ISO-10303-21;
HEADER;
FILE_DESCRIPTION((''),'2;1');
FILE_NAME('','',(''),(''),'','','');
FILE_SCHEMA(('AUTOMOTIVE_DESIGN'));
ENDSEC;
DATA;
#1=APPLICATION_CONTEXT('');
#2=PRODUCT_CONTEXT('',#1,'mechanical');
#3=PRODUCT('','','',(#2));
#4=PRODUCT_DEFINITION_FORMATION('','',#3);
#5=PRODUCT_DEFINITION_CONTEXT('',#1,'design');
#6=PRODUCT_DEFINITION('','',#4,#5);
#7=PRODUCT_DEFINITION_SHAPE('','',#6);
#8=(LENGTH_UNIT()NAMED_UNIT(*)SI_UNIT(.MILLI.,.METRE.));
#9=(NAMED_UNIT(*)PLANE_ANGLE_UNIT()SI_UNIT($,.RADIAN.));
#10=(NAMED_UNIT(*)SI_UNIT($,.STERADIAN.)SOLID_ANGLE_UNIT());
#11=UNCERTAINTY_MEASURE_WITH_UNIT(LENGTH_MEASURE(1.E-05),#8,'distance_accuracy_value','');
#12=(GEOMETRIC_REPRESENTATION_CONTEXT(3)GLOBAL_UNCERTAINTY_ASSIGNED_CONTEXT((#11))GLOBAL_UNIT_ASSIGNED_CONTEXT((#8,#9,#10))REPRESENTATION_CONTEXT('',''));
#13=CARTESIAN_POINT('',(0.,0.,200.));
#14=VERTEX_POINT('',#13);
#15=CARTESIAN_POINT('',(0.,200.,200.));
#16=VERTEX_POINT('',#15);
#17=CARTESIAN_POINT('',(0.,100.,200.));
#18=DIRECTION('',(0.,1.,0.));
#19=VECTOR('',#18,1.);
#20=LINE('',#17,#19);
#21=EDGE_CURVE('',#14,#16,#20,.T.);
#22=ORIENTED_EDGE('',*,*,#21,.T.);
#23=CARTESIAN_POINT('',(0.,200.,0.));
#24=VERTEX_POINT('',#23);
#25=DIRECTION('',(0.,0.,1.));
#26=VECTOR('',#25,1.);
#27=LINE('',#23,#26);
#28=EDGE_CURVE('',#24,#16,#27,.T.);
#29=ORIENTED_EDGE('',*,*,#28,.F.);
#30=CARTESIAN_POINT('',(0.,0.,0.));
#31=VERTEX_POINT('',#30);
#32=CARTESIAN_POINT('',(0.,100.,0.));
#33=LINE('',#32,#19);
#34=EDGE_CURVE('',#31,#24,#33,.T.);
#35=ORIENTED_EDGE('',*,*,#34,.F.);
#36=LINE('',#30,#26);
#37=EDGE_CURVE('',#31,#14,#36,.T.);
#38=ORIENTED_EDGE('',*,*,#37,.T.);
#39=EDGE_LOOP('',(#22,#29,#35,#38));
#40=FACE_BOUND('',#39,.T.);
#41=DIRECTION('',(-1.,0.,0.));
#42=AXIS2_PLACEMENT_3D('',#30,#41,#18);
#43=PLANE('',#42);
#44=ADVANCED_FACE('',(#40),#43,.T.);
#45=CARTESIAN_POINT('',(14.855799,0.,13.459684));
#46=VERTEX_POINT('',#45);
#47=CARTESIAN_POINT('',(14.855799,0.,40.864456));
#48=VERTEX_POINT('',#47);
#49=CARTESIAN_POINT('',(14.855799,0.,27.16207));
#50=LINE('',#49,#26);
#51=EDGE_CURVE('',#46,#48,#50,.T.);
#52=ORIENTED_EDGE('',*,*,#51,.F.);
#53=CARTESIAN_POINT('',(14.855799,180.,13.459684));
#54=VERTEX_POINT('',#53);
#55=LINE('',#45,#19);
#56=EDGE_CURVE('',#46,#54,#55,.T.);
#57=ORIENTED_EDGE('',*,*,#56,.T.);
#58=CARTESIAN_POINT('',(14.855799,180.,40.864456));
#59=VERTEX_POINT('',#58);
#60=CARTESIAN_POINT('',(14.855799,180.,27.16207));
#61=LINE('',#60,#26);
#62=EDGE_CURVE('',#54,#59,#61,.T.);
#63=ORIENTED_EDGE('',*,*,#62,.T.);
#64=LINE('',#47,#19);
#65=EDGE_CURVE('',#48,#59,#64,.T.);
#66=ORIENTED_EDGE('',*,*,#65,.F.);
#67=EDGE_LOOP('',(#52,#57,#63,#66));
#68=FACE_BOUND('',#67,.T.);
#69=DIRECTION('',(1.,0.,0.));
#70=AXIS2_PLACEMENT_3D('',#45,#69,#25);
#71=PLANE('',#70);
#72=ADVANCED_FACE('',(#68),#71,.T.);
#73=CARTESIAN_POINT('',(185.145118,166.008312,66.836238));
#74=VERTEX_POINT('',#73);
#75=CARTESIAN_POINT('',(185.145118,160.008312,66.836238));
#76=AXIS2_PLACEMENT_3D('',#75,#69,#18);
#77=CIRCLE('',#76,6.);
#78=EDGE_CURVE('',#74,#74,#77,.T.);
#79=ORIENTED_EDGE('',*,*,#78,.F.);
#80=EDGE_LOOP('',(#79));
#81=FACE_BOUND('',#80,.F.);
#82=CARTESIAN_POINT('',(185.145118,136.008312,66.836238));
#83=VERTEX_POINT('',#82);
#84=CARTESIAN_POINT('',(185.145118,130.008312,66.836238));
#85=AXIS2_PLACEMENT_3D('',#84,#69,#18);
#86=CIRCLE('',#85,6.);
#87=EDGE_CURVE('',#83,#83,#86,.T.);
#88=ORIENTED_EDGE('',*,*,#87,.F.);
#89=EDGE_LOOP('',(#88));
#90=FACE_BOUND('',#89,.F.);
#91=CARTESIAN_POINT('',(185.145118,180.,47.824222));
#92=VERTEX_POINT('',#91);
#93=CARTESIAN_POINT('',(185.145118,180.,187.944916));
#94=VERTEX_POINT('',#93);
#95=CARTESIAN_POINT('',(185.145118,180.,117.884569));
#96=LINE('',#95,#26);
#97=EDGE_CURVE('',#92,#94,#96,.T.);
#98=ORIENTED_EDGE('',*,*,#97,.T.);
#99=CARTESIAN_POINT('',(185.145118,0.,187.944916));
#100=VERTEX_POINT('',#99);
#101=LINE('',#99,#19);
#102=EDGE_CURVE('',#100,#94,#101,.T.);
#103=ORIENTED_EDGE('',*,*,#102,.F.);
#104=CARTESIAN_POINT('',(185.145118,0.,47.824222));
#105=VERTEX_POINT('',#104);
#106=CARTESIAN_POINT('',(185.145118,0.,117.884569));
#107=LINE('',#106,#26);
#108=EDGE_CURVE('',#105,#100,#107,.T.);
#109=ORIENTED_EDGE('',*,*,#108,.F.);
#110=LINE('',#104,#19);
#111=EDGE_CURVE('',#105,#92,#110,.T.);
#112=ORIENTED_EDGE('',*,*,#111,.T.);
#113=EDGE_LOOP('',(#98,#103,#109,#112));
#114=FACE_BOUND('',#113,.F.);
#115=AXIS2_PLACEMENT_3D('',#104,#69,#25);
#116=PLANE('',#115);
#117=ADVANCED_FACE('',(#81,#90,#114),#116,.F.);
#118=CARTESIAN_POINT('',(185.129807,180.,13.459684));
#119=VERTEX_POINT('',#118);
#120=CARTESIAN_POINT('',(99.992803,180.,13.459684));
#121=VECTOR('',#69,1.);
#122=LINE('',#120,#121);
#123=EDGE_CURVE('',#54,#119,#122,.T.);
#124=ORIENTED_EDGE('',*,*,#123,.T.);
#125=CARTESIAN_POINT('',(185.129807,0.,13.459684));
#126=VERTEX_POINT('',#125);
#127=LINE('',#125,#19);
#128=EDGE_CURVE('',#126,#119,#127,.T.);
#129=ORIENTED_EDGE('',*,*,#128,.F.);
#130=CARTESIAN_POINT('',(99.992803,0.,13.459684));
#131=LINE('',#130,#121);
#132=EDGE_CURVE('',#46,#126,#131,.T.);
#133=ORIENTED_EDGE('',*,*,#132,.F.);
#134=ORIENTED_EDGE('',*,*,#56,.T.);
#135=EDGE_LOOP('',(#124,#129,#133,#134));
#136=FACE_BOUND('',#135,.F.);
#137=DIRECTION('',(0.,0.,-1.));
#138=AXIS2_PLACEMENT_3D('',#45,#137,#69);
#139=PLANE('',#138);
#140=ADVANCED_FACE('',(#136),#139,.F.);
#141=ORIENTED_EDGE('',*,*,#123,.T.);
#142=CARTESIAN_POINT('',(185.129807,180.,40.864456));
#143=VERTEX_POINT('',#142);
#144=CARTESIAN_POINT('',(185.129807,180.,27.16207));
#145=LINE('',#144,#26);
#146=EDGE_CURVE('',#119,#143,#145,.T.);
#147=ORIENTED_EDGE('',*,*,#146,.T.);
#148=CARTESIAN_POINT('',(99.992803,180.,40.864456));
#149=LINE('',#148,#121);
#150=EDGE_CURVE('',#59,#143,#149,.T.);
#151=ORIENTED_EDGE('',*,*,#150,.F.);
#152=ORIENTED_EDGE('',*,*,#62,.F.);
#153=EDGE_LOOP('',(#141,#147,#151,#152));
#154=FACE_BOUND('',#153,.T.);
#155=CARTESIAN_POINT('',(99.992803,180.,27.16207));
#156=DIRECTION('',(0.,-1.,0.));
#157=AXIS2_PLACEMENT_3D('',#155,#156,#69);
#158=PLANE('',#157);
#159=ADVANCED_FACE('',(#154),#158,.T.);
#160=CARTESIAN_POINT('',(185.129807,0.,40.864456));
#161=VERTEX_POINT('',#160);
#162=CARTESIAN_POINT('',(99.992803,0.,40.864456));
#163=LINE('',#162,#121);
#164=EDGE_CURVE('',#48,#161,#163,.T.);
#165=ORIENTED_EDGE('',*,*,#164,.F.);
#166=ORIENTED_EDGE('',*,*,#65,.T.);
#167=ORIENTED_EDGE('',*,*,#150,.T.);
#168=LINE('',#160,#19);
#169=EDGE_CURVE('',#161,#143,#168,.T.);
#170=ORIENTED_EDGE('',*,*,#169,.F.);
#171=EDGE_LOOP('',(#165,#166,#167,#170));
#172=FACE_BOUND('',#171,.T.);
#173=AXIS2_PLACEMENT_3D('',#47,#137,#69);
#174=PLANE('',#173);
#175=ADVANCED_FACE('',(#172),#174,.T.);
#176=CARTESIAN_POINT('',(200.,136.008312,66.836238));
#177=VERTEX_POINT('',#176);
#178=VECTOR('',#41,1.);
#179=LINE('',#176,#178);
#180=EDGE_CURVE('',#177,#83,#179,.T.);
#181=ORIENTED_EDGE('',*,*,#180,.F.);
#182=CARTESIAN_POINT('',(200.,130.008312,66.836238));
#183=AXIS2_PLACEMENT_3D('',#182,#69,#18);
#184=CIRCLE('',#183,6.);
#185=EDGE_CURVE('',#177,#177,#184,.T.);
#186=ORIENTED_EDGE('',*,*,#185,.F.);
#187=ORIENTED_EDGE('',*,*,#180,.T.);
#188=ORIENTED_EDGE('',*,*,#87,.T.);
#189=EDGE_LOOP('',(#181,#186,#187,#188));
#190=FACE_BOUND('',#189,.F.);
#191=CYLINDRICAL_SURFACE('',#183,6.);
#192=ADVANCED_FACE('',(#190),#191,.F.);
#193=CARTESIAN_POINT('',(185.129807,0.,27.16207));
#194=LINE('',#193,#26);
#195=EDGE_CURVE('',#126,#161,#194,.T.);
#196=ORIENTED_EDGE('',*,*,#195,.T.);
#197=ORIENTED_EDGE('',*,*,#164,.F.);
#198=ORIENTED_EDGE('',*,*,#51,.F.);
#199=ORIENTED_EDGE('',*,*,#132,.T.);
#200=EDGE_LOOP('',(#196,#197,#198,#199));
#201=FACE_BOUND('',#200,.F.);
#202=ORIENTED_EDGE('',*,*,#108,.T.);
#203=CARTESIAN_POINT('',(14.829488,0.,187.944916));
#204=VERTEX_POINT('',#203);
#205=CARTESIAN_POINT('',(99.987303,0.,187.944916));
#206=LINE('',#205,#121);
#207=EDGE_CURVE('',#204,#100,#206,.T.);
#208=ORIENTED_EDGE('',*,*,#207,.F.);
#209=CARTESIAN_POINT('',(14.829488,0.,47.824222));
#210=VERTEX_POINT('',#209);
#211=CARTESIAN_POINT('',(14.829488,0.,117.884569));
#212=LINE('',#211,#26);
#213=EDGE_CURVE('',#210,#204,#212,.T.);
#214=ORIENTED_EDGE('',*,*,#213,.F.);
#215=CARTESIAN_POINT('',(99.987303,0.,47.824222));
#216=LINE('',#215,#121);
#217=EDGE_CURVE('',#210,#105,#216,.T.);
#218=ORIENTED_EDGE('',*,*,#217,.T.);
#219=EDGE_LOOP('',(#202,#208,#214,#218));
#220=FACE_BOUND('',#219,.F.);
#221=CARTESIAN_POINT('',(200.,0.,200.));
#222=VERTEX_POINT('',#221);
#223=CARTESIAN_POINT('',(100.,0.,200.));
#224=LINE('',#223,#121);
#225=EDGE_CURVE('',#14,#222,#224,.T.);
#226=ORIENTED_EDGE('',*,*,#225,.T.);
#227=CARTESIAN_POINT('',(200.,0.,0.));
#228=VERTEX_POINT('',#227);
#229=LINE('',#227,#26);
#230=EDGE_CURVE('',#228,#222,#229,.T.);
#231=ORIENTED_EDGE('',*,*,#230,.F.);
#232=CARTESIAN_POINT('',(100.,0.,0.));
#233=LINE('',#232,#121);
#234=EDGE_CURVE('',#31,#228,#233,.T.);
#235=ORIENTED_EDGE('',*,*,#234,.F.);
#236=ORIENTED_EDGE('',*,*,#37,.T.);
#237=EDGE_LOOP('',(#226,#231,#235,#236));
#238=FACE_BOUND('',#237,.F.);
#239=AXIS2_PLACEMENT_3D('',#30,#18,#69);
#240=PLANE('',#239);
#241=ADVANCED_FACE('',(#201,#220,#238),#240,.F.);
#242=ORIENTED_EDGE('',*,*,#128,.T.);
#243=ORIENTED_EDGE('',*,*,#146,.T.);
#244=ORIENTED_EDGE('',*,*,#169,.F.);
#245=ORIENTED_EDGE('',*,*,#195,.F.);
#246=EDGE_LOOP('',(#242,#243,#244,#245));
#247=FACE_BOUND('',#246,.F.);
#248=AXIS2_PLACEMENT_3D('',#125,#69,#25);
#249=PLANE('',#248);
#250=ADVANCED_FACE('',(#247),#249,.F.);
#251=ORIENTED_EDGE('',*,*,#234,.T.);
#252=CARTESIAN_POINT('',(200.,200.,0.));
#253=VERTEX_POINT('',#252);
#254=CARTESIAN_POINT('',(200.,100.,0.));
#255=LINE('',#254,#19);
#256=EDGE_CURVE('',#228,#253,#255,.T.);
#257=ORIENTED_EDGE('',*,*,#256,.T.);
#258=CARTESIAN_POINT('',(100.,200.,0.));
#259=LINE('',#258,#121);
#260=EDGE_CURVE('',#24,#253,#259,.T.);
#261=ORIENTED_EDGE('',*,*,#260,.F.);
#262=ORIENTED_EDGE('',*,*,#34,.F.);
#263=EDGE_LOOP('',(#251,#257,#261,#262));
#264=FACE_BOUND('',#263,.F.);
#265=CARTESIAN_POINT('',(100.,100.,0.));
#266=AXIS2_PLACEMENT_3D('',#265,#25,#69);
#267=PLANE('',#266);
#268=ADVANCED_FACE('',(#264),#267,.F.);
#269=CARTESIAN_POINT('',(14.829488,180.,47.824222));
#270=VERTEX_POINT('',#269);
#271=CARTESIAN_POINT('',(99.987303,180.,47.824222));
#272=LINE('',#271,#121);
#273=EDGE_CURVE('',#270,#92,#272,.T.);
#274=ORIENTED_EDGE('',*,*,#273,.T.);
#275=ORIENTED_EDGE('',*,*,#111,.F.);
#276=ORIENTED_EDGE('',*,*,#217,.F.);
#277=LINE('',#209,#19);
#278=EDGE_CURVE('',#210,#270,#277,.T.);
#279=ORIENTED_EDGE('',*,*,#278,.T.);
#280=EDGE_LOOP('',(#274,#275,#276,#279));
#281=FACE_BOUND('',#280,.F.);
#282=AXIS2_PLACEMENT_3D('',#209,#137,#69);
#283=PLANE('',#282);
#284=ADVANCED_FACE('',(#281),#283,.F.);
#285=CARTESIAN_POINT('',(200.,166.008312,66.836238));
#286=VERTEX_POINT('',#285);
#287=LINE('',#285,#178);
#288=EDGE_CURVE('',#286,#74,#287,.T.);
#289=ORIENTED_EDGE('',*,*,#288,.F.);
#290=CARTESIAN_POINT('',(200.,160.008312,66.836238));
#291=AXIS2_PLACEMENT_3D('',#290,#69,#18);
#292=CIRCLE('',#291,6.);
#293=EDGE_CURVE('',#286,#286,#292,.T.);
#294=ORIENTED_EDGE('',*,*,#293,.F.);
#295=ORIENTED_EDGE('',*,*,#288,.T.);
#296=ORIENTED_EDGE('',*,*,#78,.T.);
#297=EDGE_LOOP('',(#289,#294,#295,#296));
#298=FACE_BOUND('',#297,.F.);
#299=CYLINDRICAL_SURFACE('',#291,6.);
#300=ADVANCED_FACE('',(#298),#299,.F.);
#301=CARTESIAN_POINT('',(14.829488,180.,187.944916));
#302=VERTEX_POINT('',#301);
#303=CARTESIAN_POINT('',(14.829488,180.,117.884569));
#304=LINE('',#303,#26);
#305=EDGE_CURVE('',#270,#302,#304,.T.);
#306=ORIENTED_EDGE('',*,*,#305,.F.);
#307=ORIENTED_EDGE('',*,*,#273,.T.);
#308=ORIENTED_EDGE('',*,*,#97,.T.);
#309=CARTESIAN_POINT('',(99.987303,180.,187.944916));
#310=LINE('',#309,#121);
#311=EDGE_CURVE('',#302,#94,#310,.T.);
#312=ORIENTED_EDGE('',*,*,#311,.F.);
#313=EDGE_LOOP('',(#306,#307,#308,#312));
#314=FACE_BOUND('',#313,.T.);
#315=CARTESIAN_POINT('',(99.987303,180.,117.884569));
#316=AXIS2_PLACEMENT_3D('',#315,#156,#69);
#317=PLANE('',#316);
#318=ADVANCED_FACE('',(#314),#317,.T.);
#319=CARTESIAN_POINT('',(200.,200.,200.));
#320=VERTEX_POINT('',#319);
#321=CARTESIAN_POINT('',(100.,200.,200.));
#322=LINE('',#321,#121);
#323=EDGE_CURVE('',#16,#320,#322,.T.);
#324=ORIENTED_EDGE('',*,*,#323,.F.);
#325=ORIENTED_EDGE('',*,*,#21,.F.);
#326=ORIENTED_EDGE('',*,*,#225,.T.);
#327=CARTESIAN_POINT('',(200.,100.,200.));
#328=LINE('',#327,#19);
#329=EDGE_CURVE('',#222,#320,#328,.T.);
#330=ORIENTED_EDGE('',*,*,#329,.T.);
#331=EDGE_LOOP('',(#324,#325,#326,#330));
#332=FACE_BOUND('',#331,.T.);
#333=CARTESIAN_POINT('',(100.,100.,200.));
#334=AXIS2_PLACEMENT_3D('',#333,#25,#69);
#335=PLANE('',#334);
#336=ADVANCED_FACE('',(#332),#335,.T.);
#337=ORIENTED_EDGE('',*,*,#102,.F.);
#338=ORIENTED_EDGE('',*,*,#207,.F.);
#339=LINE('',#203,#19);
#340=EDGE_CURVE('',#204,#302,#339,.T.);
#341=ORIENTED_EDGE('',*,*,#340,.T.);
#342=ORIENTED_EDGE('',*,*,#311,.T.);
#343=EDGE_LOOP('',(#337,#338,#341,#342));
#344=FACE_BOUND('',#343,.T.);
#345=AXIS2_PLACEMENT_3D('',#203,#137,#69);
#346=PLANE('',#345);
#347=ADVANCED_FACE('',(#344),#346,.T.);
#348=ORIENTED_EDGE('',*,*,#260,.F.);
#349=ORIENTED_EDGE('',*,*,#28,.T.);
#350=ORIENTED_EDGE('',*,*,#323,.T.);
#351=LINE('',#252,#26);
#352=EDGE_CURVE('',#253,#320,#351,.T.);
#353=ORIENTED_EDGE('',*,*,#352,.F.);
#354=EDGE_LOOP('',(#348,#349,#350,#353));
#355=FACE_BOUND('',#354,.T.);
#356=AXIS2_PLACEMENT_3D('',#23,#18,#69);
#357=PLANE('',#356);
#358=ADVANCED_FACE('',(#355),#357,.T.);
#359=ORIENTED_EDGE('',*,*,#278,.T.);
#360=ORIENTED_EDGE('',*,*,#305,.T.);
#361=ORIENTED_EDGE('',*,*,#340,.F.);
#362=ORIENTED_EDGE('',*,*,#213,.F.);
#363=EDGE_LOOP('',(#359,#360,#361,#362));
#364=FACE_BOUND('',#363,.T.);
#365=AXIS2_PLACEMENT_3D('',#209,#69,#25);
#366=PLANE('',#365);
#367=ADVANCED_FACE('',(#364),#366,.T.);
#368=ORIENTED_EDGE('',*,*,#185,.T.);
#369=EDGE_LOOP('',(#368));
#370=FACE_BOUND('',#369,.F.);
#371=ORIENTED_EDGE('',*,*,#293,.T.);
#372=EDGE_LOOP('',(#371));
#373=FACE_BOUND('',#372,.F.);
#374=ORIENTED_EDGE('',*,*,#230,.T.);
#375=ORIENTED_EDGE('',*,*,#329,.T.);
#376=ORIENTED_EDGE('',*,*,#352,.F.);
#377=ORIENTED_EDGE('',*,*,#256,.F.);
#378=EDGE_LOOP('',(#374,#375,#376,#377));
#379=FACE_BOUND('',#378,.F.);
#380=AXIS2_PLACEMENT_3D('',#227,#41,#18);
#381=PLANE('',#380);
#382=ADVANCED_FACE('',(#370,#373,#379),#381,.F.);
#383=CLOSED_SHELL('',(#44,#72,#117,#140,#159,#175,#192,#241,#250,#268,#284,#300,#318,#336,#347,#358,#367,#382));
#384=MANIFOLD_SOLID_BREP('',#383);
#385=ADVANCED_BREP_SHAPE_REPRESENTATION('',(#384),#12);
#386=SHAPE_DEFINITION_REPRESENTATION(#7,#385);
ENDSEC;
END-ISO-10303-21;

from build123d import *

# Parameters (mm, degrees)
BOX_W           = 200
BOX_H           = 200
BOX_DEPTH       = 200
SKETCH_W        = 170.31563
SKETCH_H        = 140.120693
SKETCH_W_2      = 170.274007
SKETCH_H_2      = 27.404772
POCKET_DEPTH    = 180
SKETCH001_R     = 6
POCKET004_DEPTH = 20


with BuildPart() as part:
    # Box → Box (new body)
    with BuildSketch(Plane.XY):
        with Locations((100, 100)):
            Rectangle(BOX_W, BOX_H)
    extrude(amount=BOX_DEPTH)

    # Sketch → Pocket (cut)
    with BuildSketch(Plane.XZ):
        with Locations((99.987303, 117.884569)):
            Rectangle(SKETCH_W, SKETCH_H)
        with Locations((99.992803, 27.16207)):
            Rectangle(SKETCH_W_2, SKETCH_H_2)
    extrude(amount=-POCKET_DEPTH, mode=Mode.SUBTRACT)

    # Sketch001 → Pocket004 (cut)
    with BuildSketch(Plane.YZ.offset(200)):
        with Locations((130.008312, 66.836238)):
            Circle(SKETCH001_R)
        with Locations((160.008312, 66.836238)):
            Circle(SKETCH001_R)
    extrude(amount=-POCKET004_DEPTH, mode=Mode.SUBTRACT)


solid = part.part
